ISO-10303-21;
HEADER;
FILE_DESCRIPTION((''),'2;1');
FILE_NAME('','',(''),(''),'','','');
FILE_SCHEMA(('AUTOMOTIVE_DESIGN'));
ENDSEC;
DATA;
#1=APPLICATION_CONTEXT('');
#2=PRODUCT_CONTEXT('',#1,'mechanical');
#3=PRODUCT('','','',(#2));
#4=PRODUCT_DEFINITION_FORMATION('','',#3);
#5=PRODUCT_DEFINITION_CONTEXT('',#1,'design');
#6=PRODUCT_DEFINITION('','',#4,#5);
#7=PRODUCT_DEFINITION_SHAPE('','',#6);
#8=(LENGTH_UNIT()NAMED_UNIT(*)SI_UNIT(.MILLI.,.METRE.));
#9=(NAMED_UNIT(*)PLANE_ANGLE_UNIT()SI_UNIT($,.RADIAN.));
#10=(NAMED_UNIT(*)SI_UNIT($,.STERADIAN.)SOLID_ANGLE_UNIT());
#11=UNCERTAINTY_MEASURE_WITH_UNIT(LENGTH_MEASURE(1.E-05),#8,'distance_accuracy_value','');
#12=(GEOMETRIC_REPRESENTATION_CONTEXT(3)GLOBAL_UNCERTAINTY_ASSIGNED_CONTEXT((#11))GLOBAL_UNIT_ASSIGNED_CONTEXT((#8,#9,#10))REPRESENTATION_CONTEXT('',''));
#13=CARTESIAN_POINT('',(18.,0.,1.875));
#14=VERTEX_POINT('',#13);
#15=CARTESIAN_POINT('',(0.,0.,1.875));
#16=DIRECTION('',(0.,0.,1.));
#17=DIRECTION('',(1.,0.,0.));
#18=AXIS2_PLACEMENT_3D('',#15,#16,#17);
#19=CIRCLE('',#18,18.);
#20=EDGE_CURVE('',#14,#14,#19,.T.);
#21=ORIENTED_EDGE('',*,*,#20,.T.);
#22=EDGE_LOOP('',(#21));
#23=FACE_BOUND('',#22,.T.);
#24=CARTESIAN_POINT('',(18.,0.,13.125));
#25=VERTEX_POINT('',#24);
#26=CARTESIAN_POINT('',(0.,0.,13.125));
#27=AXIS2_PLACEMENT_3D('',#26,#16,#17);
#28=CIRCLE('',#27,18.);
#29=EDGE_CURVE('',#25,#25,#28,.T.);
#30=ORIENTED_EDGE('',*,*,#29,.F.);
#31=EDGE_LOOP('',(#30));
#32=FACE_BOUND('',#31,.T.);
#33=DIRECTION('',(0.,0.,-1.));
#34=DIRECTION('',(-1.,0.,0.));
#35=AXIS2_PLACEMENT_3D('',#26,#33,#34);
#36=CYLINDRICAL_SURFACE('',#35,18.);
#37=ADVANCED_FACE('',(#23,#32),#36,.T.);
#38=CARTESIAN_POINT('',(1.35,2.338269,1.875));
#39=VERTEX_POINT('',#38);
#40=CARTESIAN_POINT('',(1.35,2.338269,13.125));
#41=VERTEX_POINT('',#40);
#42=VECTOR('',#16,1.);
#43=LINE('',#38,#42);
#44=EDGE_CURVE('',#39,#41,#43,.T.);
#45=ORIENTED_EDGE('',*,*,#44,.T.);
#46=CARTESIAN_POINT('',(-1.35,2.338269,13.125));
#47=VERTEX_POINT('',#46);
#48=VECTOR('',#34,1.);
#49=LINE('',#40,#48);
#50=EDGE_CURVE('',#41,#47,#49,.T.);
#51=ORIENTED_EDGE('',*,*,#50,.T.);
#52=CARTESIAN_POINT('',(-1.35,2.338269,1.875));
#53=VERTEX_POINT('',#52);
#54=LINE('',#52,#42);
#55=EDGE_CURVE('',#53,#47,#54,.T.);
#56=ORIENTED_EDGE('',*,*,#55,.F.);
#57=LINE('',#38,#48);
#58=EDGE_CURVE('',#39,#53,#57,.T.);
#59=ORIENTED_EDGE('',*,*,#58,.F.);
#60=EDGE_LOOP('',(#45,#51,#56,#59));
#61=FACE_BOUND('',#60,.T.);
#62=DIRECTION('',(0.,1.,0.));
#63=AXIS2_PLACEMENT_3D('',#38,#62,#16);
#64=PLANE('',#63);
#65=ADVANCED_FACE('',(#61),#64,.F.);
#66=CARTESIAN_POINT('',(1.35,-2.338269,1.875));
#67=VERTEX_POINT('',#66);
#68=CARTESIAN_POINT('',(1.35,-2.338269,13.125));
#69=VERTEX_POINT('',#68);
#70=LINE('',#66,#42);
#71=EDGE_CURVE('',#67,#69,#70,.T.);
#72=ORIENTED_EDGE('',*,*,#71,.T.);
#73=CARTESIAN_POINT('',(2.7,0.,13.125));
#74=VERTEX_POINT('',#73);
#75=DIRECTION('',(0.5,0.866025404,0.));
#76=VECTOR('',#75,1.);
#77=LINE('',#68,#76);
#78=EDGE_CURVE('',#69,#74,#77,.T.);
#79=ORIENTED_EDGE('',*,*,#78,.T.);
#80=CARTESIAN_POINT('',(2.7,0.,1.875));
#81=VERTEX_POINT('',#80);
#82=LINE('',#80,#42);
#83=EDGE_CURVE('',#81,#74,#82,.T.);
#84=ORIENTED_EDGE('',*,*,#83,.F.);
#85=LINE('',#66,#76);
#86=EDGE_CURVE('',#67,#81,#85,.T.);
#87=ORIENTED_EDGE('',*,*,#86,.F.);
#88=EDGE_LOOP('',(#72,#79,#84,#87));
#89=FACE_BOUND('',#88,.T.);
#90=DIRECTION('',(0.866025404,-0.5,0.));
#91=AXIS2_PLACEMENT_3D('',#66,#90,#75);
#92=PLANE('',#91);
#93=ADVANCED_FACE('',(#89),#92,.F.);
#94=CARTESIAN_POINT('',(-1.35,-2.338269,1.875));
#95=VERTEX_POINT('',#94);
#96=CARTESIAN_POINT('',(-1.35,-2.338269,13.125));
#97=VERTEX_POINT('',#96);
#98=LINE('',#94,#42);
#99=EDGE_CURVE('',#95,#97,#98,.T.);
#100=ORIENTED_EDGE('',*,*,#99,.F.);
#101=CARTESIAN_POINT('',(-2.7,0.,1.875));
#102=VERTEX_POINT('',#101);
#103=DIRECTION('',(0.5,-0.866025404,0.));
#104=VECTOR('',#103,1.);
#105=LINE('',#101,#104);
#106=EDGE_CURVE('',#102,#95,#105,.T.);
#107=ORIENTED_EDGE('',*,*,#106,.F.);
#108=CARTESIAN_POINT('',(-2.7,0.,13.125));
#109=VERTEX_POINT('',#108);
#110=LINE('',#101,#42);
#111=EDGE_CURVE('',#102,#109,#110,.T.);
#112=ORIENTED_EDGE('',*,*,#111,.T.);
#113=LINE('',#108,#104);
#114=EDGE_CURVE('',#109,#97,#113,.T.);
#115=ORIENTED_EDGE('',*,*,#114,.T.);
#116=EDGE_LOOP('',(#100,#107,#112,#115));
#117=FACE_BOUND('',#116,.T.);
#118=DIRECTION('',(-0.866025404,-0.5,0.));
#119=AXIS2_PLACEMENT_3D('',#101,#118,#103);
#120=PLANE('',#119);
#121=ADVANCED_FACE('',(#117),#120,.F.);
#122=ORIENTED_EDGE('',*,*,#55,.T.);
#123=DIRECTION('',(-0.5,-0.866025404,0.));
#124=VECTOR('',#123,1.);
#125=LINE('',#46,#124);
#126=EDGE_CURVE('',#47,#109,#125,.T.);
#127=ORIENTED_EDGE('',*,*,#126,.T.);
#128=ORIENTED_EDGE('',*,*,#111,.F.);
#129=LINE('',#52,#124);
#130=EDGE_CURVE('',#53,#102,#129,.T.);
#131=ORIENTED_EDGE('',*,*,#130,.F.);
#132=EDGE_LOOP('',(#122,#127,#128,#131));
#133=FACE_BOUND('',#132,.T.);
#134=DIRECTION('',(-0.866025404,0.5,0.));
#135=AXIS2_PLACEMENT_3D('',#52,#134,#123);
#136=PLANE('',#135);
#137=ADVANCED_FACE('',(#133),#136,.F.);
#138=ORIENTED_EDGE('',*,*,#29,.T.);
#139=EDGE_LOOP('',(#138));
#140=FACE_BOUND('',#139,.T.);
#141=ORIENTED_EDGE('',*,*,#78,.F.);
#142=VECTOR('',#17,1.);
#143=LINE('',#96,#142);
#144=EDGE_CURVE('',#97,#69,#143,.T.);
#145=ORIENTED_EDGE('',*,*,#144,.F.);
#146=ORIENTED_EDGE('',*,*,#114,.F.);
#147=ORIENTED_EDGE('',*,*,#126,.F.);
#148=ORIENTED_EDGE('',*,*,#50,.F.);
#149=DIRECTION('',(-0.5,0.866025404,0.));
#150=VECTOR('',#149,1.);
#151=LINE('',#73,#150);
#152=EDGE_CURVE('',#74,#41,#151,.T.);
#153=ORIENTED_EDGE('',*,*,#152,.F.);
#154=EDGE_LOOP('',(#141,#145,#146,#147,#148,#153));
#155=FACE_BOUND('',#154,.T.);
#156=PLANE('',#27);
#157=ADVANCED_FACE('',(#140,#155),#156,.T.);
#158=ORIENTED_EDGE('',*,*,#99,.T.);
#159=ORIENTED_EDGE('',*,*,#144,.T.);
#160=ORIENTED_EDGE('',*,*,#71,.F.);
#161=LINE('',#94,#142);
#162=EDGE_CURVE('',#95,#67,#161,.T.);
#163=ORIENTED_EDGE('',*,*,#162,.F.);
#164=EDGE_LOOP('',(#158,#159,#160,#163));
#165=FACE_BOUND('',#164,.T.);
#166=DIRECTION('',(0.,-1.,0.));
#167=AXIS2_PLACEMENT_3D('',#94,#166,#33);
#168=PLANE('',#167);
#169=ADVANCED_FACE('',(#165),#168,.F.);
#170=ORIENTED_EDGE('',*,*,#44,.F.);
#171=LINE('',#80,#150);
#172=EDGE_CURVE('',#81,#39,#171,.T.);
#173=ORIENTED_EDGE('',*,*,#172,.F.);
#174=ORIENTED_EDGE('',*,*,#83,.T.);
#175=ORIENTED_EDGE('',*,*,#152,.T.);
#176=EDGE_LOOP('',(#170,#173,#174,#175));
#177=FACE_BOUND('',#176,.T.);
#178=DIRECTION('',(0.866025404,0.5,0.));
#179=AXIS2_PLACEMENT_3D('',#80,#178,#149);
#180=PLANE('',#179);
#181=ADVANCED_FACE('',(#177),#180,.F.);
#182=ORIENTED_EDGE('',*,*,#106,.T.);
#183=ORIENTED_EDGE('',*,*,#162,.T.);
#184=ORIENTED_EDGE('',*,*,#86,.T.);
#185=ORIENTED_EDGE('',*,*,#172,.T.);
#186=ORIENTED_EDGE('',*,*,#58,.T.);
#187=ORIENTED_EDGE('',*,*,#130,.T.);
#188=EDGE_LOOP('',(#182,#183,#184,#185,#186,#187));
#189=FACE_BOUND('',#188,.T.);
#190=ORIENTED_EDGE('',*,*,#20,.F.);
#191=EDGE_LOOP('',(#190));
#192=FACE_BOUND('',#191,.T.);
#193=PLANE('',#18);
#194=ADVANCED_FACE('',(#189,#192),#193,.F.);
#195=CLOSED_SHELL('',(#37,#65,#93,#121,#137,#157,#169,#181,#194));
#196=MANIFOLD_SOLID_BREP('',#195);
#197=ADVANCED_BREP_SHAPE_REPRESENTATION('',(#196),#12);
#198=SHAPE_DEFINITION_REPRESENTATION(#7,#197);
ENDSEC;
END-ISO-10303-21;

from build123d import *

# Parameters (mm, degrees)
SKETCH1_R           = 24
BOSS_EXTRUDE1_DEPTH = 15
CUT_EXTRUDE1_DEPTH  = 38.107950631
SCALE1_SCALE        = 0.75


with BuildPart() as part:
    # Sketch1 → Boss-Extrude1 (new body)
    with BuildSketch(Plane.XY):
        Circle(SKETCH1_R)
    extrude(amount=BOSS_EXTRUDE1_DEPTH)

    # Sketch2 → Cut-Extrude1 (cut, through all)
    with BuildSketch(Plane.XY.offset(15)):
        Polygon((3.6, 0), (1.8, 3.117691454), (-1.8, 3.117691454), (-3.6, 0), (-1.8, -3.117691454), (1.8, -3.117691454), align=None)
    extrude(amount=-CUT_EXTRUDE1_DEPTH, mode=Mode.SUBTRACT)


with BuildPart() as part_1:
    # Scale1: scaled about (0, 0, 7.5)
    add(part.part.scale(SCALE1_SCALE).moved(Location((0, 0, 1.875))))


solid = part_1.part
